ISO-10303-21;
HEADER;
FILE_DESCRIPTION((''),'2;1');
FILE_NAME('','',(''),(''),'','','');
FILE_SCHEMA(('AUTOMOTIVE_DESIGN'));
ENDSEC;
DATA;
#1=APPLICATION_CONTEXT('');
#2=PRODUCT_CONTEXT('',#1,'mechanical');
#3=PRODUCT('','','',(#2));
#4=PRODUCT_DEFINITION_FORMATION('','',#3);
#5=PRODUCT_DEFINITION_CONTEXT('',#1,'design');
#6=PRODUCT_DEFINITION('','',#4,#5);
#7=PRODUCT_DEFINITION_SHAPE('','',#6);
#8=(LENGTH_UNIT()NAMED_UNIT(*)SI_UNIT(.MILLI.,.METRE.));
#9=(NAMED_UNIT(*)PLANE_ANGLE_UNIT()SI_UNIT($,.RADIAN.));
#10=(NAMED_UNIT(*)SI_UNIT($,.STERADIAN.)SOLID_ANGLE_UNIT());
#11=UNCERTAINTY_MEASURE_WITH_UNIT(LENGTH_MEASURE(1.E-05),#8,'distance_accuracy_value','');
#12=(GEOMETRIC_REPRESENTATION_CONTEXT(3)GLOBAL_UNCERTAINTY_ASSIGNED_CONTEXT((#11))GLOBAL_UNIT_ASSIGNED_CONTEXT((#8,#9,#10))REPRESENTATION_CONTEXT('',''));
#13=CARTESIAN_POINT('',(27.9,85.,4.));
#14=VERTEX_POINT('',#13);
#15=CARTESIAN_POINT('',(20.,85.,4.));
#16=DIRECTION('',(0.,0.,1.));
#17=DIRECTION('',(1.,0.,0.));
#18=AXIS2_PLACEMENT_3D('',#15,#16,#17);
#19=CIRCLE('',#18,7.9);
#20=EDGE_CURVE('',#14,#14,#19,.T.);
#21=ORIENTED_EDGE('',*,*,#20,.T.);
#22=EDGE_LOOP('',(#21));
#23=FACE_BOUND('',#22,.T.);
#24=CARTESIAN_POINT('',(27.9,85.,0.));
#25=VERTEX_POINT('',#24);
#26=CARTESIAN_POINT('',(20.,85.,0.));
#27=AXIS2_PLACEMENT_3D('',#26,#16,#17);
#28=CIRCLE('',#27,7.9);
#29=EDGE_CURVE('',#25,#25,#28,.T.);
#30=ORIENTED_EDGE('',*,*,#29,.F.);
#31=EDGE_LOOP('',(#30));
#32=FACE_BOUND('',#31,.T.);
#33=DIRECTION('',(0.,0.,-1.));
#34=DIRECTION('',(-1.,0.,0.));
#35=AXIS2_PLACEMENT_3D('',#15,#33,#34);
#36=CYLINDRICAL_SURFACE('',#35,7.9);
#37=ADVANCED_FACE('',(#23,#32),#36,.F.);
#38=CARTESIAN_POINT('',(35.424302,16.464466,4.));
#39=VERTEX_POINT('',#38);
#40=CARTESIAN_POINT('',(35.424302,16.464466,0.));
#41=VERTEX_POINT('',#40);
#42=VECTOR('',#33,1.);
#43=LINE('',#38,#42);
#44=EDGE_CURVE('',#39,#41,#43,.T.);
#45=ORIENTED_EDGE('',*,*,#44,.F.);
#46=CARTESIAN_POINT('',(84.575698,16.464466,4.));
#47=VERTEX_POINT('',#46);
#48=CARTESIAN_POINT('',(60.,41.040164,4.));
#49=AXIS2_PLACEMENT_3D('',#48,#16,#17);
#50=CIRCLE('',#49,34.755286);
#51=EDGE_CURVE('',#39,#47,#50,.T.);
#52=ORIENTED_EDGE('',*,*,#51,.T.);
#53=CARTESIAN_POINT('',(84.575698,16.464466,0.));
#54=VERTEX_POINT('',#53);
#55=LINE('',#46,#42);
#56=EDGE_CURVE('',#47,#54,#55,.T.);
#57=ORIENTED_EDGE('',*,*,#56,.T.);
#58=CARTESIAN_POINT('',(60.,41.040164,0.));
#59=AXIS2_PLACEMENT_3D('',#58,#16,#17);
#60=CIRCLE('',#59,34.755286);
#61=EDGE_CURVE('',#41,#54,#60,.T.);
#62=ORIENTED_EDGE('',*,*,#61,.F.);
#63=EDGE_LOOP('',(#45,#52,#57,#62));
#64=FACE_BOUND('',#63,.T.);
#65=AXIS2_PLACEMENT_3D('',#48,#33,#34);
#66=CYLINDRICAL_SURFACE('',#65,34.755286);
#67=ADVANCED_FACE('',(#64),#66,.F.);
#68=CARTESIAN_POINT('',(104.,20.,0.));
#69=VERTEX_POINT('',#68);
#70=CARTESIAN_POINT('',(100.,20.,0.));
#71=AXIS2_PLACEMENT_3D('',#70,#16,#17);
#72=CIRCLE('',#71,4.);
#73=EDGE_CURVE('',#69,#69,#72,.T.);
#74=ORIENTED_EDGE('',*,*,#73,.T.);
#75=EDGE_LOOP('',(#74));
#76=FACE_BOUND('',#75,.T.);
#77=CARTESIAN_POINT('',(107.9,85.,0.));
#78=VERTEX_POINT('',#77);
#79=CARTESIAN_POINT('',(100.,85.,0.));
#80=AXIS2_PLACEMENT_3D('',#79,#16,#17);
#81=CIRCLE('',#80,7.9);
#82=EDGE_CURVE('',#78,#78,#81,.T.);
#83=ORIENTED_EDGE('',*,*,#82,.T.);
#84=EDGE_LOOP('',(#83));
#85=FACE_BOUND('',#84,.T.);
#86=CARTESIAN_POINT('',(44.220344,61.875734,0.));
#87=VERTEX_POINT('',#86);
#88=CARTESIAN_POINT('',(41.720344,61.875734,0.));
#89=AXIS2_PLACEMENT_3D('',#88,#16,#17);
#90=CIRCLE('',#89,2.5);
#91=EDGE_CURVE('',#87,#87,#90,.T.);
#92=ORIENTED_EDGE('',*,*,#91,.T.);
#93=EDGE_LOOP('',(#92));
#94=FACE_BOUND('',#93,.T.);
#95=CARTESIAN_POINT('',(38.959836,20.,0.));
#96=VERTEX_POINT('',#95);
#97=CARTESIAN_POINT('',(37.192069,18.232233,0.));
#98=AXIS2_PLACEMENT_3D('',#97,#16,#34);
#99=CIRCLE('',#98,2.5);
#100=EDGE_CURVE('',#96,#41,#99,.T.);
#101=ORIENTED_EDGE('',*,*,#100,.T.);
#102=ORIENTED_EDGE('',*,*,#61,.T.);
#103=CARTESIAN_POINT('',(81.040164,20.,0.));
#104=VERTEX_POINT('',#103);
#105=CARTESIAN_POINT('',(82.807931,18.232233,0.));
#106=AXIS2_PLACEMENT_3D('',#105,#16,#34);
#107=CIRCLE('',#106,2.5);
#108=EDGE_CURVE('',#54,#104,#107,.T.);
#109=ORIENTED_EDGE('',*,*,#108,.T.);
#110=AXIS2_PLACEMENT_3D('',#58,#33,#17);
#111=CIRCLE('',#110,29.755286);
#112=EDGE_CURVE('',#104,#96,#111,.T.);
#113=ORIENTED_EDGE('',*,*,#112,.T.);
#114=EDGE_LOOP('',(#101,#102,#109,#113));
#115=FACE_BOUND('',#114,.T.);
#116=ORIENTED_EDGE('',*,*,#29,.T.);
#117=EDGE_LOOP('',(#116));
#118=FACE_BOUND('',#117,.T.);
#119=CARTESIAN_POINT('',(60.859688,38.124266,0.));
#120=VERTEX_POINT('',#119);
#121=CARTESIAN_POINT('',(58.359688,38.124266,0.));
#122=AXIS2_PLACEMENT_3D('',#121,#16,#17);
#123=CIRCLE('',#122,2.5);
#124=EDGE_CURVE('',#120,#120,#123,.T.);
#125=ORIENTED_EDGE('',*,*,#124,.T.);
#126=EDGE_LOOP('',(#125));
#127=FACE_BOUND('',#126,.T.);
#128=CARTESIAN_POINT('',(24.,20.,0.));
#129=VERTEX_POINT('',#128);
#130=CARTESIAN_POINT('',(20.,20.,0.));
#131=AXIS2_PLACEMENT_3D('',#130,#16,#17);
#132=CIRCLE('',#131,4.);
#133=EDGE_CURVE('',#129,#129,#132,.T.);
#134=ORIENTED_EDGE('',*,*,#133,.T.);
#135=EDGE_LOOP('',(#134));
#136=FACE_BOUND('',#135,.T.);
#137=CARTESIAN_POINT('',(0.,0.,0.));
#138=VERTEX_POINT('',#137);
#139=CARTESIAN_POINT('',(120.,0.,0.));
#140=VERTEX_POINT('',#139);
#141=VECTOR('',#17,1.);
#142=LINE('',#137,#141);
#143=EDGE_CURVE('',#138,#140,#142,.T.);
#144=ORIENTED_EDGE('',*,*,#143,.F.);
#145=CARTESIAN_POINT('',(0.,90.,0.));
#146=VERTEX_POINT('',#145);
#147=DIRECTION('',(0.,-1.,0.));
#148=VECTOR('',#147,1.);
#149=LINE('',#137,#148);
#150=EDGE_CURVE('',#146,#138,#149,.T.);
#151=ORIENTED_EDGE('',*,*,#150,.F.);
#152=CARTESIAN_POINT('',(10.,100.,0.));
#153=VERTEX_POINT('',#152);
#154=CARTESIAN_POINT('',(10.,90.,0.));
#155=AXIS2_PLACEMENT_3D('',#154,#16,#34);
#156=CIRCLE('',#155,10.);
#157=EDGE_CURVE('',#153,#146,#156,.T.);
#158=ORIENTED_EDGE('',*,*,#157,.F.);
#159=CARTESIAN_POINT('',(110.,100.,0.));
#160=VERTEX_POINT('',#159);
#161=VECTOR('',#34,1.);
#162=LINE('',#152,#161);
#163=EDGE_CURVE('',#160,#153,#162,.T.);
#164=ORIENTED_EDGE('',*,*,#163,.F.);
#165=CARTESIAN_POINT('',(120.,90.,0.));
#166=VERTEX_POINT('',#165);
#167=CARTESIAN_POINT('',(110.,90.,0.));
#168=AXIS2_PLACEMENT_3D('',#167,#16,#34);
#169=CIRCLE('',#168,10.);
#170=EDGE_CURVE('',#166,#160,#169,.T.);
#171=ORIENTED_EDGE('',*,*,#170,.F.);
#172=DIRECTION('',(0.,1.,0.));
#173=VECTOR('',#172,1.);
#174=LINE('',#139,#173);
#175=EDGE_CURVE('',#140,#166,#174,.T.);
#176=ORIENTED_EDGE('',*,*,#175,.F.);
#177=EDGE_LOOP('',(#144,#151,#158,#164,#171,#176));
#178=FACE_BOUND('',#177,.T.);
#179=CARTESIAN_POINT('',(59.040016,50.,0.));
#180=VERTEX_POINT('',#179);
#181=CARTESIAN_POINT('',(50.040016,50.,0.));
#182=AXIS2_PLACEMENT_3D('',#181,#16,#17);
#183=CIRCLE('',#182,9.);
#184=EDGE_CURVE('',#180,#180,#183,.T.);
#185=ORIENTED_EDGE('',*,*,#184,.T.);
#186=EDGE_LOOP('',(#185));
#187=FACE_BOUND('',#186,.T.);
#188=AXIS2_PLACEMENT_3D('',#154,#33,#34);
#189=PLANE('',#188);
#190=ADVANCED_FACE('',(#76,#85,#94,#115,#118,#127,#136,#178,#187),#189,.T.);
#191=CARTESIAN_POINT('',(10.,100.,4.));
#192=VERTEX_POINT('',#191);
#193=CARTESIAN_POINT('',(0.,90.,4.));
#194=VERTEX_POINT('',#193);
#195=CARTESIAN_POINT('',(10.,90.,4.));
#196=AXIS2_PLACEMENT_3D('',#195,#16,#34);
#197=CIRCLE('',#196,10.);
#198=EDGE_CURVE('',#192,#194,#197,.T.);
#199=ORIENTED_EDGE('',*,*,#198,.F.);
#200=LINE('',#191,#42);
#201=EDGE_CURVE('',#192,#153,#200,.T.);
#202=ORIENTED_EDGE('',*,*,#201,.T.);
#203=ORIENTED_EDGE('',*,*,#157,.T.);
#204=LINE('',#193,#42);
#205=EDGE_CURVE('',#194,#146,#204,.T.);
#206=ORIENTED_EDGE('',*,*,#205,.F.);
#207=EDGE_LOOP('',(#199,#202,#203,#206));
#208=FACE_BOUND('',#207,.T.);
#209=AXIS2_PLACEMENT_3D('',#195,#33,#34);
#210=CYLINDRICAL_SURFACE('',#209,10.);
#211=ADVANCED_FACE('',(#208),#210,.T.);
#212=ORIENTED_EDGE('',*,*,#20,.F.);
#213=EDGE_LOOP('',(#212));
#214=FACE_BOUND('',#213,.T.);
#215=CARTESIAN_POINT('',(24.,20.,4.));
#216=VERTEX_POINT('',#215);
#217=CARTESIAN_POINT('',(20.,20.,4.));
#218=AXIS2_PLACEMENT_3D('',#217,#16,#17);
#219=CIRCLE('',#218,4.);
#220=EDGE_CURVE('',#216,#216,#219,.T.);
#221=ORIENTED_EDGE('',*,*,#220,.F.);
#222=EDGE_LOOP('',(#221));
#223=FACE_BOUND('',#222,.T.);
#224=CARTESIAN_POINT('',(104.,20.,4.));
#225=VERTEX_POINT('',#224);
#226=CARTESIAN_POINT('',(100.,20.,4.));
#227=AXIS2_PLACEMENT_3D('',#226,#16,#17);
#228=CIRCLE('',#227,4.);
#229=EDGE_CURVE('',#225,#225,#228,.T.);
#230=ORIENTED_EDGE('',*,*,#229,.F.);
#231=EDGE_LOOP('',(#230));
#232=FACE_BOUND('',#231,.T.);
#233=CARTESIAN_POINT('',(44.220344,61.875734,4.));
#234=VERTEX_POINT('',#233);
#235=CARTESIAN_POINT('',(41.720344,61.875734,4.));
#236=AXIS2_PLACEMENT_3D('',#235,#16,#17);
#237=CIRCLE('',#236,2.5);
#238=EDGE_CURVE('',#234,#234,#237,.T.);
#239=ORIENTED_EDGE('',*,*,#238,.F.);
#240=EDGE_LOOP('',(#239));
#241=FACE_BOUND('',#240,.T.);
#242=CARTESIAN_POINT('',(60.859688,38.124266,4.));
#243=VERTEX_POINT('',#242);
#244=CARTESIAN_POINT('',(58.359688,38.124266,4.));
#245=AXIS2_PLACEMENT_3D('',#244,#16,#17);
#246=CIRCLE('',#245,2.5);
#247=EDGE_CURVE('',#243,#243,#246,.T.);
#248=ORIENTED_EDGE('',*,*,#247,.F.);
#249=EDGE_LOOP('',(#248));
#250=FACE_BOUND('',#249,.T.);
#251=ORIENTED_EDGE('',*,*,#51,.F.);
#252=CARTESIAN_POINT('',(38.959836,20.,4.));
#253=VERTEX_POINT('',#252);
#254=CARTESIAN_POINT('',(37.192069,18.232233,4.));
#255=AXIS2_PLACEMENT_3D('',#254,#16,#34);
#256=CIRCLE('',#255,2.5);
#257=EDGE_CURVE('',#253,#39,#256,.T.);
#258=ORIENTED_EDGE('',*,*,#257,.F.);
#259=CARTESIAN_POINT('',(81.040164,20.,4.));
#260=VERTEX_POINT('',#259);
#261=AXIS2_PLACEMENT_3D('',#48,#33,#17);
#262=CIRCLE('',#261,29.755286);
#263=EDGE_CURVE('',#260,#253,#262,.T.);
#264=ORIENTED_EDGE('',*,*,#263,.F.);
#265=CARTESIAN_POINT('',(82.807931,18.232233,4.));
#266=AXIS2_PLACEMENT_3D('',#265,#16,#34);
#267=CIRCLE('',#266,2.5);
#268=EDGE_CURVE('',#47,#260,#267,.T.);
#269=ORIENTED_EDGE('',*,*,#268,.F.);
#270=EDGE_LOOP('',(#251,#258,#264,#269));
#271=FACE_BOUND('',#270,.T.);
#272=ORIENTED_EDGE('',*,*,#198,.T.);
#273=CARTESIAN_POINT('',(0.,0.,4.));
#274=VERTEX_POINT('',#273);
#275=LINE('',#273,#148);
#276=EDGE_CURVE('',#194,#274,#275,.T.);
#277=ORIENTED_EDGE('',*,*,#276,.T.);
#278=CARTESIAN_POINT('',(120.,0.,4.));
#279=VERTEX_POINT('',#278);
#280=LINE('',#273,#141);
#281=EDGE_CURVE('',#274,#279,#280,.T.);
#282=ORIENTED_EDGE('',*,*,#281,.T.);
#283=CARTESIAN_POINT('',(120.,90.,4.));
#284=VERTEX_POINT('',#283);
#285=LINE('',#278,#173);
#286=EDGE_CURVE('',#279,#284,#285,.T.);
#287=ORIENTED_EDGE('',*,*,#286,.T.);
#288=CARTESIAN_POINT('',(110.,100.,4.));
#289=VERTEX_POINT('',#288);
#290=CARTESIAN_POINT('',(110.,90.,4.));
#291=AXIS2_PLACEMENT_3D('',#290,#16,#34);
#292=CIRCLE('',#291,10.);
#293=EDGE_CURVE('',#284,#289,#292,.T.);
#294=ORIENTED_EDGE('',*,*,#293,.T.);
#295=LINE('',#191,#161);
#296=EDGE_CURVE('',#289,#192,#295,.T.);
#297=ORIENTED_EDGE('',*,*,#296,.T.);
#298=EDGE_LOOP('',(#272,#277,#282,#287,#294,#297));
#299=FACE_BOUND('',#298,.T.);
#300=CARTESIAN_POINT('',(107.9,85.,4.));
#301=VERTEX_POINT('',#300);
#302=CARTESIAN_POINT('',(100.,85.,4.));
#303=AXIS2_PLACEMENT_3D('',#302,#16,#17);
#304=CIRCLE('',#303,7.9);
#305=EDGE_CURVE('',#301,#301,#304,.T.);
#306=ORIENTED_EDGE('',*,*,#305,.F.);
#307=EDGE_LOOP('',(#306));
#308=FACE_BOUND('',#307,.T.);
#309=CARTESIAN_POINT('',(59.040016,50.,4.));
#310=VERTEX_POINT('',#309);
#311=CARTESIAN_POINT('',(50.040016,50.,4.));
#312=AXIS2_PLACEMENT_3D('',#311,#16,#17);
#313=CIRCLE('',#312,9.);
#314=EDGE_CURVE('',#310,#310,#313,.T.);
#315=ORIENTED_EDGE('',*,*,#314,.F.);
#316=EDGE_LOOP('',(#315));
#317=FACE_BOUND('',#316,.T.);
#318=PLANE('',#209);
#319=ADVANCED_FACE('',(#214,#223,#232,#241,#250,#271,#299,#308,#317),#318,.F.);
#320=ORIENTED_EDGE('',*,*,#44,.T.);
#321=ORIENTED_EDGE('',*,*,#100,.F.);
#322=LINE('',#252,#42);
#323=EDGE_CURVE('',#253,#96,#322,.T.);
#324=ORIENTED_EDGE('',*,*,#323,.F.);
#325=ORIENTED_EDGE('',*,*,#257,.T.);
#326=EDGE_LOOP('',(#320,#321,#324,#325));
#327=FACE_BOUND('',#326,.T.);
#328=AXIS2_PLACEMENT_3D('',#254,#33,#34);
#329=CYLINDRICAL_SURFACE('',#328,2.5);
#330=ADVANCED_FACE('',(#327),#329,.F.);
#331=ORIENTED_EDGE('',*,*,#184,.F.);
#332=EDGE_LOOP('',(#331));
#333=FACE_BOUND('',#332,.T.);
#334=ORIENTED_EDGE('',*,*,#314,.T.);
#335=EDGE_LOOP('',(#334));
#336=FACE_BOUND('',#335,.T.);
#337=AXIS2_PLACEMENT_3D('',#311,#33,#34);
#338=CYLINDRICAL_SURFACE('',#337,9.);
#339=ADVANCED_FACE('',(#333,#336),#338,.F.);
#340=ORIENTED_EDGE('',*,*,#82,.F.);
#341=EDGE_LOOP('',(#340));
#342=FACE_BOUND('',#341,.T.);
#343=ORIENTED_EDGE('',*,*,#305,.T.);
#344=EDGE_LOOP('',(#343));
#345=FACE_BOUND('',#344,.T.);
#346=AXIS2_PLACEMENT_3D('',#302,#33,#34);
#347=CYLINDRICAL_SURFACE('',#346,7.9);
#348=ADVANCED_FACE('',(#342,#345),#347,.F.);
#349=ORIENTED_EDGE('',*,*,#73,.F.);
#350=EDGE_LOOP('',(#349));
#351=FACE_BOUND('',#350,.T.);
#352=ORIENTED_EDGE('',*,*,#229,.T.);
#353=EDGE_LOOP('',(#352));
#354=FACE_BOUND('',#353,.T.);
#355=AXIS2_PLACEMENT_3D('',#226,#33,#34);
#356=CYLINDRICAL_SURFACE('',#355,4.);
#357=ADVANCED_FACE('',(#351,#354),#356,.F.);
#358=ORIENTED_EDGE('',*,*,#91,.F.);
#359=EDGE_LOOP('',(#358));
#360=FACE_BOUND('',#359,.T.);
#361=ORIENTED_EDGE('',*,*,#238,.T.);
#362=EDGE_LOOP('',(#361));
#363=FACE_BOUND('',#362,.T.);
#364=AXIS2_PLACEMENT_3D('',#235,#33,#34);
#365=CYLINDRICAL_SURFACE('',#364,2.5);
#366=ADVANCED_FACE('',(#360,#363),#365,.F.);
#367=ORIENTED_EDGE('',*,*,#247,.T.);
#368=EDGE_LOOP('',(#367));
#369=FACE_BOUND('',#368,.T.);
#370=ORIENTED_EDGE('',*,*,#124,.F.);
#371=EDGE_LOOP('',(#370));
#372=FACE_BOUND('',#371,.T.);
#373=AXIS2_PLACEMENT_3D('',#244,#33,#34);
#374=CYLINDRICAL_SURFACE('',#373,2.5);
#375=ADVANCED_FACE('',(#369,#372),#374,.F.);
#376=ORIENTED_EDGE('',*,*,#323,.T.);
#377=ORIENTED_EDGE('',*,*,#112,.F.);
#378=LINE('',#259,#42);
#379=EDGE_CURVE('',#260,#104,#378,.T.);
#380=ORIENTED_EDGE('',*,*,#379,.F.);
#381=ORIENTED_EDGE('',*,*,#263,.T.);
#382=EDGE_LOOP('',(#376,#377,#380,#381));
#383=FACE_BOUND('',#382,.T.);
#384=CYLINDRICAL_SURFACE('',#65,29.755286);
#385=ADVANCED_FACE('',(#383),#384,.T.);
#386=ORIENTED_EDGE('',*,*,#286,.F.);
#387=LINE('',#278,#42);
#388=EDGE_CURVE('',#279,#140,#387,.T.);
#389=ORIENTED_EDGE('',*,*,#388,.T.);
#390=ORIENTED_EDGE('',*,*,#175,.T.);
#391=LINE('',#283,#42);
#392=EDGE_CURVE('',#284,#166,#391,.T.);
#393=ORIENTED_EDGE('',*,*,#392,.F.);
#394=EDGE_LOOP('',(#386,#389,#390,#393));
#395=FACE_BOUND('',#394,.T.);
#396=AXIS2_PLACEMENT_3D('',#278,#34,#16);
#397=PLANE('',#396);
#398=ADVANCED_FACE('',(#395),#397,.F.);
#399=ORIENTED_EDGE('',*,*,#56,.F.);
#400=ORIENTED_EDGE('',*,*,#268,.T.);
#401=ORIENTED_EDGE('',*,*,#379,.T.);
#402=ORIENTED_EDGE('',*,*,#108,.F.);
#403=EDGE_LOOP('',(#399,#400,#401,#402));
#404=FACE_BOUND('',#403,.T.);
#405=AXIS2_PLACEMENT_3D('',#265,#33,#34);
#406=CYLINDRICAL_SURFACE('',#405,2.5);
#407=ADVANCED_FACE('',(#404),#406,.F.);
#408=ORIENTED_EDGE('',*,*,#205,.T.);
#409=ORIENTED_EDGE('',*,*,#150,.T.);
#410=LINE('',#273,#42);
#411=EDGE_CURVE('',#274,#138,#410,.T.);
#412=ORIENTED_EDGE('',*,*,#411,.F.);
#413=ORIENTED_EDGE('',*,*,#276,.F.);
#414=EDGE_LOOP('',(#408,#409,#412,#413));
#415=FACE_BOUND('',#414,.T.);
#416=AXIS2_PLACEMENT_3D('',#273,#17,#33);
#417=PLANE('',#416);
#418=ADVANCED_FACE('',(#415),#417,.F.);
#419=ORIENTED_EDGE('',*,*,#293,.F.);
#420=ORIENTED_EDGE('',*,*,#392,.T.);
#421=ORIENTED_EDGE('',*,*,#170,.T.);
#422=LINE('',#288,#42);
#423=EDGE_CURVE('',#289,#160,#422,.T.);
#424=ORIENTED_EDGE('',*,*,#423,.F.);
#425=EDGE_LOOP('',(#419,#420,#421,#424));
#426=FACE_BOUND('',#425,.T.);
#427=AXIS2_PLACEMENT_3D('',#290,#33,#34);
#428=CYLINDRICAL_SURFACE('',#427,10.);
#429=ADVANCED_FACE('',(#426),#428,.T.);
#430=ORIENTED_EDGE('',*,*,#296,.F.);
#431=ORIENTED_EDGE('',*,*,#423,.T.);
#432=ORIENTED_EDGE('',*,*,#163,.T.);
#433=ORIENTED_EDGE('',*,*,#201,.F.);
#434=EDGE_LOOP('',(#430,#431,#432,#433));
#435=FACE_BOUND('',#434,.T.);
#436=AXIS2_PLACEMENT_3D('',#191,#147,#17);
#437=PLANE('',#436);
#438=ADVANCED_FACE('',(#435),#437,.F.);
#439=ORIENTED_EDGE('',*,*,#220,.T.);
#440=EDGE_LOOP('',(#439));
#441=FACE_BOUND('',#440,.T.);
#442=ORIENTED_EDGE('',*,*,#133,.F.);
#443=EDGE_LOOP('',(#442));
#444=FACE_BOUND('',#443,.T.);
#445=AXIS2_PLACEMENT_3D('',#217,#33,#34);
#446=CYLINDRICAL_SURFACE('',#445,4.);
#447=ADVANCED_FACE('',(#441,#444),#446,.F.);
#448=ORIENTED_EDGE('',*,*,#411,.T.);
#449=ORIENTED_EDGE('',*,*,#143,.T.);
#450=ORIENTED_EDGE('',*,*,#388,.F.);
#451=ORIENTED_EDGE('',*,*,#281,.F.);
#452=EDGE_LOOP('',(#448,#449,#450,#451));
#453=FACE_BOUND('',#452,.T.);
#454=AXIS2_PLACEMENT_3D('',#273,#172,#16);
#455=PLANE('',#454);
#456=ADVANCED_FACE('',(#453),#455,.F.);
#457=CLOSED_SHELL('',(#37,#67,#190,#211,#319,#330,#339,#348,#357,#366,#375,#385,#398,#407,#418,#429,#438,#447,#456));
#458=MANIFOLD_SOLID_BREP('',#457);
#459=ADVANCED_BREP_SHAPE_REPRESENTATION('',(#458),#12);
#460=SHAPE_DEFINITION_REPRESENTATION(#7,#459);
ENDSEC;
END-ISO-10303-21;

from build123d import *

# Parameters (mm, degrees)
SKETCH1_R           = 7.9
SKETCH1_R_2         = 9
SKETCH1_R_3         = 2.5
SKETCH1_R_4         = 4
BOSS_EXTRUDE1_DEPTH = 4


with BuildPart() as part:
    # Sketch1 → Boss-Extrude1 (new body)
    with BuildSketch(Plane.XY):
        with BuildLine():
            Line((0, 0), (120, 0))
            Line((120, 0), (120, 90))
            ThreePointArc((120, 90), (117.071067812, 97.071067812), (110, 100))
            Line((110, 100), (10, 100))
            ThreePointArc((10, 100), (2.928932188, 97.071067812), (0, 90))
            Line((0, 90), (0, 0))
        make_face()
        with Locations((100, 85)):
            Circle(SKETCH1_R, mode=Mode.SUBTRACT)
        with Locations((20, 85)):
            Circle(SKETCH1_R, mode=Mode.SUBTRACT)
        with Locations((50.040016013, 50)):
            Circle(SKETCH1_R_2, mode=Mode.SUBTRACT)
        with Locations((58.359688144, 38.124266101)):
            Circle(SKETCH1_R_3, mode=Mode.SUBTRACT)
        with Locations((41.720343882, 61.875733899)):
            Circle(SKETCH1_R_3, mode=Mode.SUBTRACT)
        with Locations((100, 20)):
            Circle(SKETCH1_R_4, mode=Mode.SUBTRACT)
        with Locations((20, 20)):
            Circle(SKETCH1_R_4, mode=Mode.SUBTRACT)
        with BuildLine():
            ThreePointArc((38.959835733, 20), (60, 11.284878606), (81.040164267, 20))
            ThreePointArc((81.040164267, 20), (84.575698173, 20), (84.575698173, 16.464466094))
            ThreePointArc((84.575698173, 16.464466094), (60, 6.284878606), (35.424301827, 16.464466094))
            ThreePointArc((35.424301827, 16.464466094), (35.424301827, 20), (38.959835733, 20))
        make_face(mode=Mode.SUBTRACT)
    extrude(amount=BOSS_EXTRUDE1_DEPTH)


solid = part.part
